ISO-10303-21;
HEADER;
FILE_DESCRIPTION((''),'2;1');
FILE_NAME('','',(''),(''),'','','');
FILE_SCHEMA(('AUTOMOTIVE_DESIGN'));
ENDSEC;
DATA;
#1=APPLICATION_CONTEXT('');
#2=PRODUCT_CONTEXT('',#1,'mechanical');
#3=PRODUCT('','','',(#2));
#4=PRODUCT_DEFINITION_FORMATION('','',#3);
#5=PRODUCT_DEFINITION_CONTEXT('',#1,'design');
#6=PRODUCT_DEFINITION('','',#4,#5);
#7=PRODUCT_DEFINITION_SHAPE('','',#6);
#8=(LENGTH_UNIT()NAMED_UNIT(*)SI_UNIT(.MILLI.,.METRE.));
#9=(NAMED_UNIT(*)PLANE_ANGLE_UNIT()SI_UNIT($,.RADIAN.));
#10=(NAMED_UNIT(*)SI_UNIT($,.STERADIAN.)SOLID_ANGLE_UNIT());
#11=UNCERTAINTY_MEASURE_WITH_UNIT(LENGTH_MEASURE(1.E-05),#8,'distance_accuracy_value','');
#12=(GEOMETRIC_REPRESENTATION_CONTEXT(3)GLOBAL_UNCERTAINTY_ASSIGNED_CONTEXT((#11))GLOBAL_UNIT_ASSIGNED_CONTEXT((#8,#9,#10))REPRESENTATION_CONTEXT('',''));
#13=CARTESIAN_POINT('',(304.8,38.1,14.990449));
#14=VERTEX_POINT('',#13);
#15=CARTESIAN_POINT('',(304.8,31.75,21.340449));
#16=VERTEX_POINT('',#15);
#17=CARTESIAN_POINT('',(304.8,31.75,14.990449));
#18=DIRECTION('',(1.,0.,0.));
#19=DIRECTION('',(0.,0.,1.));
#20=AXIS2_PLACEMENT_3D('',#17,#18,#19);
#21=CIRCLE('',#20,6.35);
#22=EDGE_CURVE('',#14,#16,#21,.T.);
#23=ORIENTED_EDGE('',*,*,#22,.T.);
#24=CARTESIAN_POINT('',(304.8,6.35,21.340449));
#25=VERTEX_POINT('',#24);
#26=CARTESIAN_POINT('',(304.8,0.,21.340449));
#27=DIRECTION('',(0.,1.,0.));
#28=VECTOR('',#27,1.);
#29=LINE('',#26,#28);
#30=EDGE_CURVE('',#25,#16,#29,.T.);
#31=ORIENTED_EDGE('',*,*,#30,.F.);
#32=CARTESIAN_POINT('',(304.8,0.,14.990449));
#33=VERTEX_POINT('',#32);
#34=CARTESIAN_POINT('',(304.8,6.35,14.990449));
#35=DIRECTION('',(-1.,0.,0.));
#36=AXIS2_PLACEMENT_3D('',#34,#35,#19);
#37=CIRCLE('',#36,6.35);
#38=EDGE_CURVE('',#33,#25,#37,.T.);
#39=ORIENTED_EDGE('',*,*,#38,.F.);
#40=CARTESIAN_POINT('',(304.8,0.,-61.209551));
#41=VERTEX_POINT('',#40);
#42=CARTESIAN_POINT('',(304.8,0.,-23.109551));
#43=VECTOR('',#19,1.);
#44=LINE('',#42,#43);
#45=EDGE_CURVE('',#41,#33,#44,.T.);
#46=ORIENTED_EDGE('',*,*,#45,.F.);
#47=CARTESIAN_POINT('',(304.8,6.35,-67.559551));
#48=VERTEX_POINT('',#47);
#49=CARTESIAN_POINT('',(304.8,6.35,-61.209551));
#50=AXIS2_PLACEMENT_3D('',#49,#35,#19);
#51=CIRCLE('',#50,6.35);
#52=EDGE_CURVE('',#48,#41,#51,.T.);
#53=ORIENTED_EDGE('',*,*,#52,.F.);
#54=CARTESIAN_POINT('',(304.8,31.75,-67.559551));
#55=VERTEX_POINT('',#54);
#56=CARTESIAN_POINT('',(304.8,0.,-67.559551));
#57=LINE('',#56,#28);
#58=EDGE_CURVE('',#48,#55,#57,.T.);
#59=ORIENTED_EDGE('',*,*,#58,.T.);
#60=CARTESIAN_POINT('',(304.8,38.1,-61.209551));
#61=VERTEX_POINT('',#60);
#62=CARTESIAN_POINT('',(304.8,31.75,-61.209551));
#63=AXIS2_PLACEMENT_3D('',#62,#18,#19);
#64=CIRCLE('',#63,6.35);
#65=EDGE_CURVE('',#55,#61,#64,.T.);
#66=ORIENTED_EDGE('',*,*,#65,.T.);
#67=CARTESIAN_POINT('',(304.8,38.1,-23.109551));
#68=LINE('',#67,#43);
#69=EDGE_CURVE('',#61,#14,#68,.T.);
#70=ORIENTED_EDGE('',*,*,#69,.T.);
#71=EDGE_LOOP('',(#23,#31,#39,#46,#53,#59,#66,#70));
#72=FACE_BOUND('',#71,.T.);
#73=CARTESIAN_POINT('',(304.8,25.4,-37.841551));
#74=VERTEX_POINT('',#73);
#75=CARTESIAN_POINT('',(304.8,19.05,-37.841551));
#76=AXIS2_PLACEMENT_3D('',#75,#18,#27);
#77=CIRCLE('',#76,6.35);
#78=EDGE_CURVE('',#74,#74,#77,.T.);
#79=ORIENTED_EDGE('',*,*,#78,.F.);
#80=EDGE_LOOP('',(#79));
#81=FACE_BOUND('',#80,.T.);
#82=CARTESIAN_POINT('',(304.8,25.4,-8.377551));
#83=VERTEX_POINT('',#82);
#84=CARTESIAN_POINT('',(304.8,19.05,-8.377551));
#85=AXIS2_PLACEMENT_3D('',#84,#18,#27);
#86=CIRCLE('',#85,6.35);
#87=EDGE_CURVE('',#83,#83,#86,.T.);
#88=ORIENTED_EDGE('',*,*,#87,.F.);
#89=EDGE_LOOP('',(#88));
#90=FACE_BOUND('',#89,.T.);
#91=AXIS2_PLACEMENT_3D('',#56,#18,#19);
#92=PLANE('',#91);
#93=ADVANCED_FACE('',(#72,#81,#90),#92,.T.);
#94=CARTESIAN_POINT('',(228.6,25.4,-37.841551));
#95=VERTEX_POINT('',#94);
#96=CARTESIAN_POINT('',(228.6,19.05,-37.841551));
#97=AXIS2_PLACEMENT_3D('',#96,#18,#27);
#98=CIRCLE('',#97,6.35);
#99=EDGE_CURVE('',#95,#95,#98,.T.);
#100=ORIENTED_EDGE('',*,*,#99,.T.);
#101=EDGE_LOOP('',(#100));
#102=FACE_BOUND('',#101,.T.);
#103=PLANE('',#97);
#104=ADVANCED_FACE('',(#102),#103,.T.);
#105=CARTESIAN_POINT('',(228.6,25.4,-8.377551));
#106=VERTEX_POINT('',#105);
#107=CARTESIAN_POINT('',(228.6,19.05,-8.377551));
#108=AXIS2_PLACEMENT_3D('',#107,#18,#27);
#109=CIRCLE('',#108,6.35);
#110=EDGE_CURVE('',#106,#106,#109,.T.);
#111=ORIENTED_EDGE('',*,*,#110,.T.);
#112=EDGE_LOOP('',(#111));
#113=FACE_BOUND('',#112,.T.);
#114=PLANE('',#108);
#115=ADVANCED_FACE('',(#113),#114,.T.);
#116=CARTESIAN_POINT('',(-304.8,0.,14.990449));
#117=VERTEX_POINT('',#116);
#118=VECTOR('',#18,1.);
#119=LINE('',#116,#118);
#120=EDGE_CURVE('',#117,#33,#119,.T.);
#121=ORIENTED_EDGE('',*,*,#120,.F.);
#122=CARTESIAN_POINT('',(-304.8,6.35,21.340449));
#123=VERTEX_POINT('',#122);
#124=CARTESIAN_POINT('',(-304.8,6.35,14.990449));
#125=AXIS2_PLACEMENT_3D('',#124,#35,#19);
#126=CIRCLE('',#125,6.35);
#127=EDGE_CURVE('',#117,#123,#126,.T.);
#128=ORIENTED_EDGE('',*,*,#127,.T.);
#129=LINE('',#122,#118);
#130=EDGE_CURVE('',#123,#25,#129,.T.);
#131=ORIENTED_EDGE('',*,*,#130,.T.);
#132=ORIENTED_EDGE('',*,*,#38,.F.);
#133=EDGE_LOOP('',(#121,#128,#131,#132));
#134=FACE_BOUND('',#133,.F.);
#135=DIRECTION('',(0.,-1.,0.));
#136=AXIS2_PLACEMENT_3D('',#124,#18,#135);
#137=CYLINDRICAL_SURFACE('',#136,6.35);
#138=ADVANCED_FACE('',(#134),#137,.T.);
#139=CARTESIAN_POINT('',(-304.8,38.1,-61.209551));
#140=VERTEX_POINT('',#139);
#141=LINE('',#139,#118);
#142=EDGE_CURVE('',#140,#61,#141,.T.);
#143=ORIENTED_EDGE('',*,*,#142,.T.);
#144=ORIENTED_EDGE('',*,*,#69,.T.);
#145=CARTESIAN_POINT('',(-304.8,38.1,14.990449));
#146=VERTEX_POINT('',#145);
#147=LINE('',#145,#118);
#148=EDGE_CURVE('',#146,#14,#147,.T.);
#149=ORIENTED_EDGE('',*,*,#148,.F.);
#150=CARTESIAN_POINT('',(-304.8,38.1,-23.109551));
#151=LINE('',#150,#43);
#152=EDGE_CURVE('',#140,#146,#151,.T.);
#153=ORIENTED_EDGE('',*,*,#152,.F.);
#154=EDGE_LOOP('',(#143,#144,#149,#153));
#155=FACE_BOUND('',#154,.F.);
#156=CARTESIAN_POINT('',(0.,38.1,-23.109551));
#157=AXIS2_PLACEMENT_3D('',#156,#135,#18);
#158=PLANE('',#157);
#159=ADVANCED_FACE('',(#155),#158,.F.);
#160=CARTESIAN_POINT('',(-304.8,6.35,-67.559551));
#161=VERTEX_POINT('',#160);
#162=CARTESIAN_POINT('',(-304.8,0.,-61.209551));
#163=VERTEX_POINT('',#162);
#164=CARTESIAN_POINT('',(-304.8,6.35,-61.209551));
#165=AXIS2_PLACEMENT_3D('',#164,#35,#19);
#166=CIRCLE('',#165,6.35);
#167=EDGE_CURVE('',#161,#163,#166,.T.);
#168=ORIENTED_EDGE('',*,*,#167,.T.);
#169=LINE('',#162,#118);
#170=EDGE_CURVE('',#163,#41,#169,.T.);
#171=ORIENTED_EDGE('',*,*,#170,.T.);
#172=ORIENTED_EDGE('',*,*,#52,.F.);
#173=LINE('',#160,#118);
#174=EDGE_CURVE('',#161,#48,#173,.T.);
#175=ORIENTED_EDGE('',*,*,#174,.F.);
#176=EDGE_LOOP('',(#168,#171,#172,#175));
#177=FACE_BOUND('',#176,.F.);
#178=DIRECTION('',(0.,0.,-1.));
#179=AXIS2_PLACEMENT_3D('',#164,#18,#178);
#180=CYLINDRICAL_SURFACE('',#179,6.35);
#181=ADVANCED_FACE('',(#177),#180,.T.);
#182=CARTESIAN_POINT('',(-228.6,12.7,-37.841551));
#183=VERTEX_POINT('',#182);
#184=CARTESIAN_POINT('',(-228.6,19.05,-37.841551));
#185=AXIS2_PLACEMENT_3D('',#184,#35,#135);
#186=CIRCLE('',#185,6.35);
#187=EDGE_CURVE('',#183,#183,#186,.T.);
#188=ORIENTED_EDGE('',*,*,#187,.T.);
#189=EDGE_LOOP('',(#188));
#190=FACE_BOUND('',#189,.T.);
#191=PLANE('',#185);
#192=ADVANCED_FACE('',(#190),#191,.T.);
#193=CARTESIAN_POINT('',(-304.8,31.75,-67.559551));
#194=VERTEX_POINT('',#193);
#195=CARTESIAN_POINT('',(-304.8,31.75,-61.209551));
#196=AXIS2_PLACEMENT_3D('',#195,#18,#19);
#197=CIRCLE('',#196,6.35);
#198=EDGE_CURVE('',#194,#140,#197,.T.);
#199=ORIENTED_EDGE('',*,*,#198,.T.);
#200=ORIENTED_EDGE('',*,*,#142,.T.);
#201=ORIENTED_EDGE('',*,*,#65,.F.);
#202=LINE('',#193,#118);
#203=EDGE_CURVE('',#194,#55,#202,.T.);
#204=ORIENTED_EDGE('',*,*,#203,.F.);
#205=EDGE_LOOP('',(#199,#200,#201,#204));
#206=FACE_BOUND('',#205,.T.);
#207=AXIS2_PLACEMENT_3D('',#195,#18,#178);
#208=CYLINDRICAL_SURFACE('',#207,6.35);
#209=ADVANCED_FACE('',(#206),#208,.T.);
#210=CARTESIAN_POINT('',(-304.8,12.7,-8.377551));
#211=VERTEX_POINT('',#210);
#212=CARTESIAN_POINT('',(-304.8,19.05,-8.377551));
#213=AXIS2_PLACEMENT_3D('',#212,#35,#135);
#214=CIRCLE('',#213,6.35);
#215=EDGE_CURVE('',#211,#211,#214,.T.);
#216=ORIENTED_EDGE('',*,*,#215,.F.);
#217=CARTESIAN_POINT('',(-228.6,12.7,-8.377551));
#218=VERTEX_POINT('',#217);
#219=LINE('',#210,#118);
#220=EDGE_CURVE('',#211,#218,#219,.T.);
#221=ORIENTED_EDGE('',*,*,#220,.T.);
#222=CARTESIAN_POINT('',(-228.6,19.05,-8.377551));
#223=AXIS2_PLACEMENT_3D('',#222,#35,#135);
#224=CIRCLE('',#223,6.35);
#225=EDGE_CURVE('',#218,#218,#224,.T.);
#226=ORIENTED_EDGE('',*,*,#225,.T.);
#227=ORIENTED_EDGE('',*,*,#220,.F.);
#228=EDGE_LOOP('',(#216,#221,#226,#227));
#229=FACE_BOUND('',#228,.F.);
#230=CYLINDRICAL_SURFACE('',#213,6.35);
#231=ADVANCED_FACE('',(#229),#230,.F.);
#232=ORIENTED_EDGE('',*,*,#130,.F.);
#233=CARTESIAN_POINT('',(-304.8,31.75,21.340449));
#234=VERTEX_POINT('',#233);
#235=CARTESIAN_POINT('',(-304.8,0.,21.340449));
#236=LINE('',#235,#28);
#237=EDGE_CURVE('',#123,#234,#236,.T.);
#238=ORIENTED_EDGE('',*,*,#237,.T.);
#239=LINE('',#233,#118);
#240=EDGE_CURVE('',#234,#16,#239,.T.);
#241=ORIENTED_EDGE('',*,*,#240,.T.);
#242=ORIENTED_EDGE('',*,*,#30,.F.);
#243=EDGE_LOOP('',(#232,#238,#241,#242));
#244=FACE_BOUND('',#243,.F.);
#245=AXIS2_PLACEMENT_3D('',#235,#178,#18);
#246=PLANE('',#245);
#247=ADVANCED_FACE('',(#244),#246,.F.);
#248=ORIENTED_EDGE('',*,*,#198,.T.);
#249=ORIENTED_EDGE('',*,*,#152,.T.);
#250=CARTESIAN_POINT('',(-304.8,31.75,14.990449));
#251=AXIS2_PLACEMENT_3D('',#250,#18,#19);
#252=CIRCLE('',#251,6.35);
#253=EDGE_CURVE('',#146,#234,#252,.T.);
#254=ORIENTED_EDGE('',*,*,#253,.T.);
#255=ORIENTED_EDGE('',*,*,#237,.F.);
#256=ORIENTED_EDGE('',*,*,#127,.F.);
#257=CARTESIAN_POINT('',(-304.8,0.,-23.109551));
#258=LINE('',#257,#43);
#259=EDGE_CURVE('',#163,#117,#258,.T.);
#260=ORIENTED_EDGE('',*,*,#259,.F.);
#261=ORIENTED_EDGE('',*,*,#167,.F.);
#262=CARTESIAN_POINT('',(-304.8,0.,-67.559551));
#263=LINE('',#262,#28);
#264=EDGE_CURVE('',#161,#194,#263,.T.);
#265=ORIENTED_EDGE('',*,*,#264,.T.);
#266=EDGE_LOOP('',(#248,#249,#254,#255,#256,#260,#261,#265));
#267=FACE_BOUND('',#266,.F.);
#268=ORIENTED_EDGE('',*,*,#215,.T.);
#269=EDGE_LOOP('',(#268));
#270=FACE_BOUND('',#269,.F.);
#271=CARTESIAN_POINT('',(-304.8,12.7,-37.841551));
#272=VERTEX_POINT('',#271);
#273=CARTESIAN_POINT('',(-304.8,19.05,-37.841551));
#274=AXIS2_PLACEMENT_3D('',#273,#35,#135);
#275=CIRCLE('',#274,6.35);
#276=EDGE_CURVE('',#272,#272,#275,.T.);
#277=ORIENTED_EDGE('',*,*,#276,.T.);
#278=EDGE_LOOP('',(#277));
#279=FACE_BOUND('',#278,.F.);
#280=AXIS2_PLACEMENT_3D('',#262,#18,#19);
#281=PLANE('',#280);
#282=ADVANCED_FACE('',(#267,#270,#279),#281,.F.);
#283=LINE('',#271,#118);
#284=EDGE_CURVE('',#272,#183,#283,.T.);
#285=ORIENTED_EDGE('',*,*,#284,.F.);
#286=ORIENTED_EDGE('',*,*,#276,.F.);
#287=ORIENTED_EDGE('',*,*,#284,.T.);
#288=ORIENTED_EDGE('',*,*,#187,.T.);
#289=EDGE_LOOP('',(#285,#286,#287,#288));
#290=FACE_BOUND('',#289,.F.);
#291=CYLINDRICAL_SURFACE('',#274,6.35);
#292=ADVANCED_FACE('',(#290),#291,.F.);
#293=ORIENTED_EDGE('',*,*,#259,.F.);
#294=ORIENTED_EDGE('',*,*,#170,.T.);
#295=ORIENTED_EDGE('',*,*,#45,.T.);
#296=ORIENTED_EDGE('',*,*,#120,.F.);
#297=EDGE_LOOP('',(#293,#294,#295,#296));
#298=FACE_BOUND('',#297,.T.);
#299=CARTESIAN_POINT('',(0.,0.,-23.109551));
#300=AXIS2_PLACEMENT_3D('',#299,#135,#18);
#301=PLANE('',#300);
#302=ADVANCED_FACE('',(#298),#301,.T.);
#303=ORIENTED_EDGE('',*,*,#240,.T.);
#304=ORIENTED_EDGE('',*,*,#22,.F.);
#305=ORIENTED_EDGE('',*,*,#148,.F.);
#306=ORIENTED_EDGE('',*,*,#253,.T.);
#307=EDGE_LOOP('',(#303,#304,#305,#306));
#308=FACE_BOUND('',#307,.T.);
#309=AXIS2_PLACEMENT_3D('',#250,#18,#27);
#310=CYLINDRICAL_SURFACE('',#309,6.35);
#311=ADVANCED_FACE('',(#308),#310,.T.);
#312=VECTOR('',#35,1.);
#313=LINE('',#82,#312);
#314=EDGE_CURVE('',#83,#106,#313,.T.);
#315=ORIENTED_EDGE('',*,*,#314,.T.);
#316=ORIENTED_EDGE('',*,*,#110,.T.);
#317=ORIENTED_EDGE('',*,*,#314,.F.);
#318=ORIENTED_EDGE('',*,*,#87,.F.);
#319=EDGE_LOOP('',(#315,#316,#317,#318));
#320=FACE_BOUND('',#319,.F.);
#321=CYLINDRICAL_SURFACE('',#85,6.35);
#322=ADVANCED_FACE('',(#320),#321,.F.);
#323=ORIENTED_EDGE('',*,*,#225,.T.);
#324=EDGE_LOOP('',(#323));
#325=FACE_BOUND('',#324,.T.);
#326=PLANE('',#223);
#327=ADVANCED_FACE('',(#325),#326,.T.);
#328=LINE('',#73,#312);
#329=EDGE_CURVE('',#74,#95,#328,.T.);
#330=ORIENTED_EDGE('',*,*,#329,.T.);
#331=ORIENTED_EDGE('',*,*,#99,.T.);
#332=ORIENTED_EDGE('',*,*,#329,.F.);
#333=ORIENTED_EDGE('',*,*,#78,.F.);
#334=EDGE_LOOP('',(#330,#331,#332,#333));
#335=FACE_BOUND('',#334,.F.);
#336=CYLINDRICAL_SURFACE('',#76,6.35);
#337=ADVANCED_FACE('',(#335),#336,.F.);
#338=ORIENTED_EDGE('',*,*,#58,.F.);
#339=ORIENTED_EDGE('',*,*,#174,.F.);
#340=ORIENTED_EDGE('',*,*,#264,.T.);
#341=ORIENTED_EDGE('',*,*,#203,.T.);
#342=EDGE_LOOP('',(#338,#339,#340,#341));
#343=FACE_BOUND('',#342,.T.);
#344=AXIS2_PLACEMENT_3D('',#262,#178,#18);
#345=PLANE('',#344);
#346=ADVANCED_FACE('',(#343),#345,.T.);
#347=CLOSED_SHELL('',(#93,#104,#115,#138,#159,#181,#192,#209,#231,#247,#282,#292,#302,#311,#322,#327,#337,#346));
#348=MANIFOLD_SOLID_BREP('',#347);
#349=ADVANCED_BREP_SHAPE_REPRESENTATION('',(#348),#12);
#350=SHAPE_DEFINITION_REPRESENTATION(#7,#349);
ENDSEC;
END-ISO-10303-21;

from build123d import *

# Parameters (mm, degrees)
F0_W     = 609.6
F0_H     = 88.9
F1_DEPTH = 38.1
F2_R     = 6.35
F5_DEPTH = 76.2
F3_R     = 6.35
F4_DEPTH = 76.2
F6_R     = 6.35


with BuildPart() as f1:
    # F0 (on Front) → F1 (new body)
    with BuildSketch(Plane.XZ):
        with Locations((0, -23.109551)):
            Rectangle(F0_W, F0_H)
    extrude(amount=-F1_DEPTH)

    # F2 (on face) → F5 (cut)
    with BuildSketch(Plane(origin=(-304.8, 0, 0), x_dir=(0, -1, 0), z_dir=(-1, 0, 0))):
        with Locations((-19.05, -8.377551)):
            Circle(F2_R)
        with Locations((-19.05, -37.841551)):
            Circle(F2_R)
    extrude(amount=-F5_DEPTH, mode=Mode.SUBTRACT)

    # F3 (on face) → F4 (cut)
    with BuildSketch(Plane.YZ.offset(304.8)):
        with Locations((19.05, -8.377551)):
            Circle(F3_R)
        with Locations((19.05, -37.841551)):
            Circle(F3_R)
    extrude(amount=-F4_DEPTH, mode=Mode.SUBTRACT)

    # F6
    f6_edges = [f1.edges().sort_by_distance(p)[0] for p in [
        (0, 0, 21.340449),
        (0, 38.1, 21.340449),
        (0, 38.1, -67.559551),
        (0, 0, -67.559551),
    ]]
    fillet(f6_edges, radius=F6_R)


solid = f1.part
